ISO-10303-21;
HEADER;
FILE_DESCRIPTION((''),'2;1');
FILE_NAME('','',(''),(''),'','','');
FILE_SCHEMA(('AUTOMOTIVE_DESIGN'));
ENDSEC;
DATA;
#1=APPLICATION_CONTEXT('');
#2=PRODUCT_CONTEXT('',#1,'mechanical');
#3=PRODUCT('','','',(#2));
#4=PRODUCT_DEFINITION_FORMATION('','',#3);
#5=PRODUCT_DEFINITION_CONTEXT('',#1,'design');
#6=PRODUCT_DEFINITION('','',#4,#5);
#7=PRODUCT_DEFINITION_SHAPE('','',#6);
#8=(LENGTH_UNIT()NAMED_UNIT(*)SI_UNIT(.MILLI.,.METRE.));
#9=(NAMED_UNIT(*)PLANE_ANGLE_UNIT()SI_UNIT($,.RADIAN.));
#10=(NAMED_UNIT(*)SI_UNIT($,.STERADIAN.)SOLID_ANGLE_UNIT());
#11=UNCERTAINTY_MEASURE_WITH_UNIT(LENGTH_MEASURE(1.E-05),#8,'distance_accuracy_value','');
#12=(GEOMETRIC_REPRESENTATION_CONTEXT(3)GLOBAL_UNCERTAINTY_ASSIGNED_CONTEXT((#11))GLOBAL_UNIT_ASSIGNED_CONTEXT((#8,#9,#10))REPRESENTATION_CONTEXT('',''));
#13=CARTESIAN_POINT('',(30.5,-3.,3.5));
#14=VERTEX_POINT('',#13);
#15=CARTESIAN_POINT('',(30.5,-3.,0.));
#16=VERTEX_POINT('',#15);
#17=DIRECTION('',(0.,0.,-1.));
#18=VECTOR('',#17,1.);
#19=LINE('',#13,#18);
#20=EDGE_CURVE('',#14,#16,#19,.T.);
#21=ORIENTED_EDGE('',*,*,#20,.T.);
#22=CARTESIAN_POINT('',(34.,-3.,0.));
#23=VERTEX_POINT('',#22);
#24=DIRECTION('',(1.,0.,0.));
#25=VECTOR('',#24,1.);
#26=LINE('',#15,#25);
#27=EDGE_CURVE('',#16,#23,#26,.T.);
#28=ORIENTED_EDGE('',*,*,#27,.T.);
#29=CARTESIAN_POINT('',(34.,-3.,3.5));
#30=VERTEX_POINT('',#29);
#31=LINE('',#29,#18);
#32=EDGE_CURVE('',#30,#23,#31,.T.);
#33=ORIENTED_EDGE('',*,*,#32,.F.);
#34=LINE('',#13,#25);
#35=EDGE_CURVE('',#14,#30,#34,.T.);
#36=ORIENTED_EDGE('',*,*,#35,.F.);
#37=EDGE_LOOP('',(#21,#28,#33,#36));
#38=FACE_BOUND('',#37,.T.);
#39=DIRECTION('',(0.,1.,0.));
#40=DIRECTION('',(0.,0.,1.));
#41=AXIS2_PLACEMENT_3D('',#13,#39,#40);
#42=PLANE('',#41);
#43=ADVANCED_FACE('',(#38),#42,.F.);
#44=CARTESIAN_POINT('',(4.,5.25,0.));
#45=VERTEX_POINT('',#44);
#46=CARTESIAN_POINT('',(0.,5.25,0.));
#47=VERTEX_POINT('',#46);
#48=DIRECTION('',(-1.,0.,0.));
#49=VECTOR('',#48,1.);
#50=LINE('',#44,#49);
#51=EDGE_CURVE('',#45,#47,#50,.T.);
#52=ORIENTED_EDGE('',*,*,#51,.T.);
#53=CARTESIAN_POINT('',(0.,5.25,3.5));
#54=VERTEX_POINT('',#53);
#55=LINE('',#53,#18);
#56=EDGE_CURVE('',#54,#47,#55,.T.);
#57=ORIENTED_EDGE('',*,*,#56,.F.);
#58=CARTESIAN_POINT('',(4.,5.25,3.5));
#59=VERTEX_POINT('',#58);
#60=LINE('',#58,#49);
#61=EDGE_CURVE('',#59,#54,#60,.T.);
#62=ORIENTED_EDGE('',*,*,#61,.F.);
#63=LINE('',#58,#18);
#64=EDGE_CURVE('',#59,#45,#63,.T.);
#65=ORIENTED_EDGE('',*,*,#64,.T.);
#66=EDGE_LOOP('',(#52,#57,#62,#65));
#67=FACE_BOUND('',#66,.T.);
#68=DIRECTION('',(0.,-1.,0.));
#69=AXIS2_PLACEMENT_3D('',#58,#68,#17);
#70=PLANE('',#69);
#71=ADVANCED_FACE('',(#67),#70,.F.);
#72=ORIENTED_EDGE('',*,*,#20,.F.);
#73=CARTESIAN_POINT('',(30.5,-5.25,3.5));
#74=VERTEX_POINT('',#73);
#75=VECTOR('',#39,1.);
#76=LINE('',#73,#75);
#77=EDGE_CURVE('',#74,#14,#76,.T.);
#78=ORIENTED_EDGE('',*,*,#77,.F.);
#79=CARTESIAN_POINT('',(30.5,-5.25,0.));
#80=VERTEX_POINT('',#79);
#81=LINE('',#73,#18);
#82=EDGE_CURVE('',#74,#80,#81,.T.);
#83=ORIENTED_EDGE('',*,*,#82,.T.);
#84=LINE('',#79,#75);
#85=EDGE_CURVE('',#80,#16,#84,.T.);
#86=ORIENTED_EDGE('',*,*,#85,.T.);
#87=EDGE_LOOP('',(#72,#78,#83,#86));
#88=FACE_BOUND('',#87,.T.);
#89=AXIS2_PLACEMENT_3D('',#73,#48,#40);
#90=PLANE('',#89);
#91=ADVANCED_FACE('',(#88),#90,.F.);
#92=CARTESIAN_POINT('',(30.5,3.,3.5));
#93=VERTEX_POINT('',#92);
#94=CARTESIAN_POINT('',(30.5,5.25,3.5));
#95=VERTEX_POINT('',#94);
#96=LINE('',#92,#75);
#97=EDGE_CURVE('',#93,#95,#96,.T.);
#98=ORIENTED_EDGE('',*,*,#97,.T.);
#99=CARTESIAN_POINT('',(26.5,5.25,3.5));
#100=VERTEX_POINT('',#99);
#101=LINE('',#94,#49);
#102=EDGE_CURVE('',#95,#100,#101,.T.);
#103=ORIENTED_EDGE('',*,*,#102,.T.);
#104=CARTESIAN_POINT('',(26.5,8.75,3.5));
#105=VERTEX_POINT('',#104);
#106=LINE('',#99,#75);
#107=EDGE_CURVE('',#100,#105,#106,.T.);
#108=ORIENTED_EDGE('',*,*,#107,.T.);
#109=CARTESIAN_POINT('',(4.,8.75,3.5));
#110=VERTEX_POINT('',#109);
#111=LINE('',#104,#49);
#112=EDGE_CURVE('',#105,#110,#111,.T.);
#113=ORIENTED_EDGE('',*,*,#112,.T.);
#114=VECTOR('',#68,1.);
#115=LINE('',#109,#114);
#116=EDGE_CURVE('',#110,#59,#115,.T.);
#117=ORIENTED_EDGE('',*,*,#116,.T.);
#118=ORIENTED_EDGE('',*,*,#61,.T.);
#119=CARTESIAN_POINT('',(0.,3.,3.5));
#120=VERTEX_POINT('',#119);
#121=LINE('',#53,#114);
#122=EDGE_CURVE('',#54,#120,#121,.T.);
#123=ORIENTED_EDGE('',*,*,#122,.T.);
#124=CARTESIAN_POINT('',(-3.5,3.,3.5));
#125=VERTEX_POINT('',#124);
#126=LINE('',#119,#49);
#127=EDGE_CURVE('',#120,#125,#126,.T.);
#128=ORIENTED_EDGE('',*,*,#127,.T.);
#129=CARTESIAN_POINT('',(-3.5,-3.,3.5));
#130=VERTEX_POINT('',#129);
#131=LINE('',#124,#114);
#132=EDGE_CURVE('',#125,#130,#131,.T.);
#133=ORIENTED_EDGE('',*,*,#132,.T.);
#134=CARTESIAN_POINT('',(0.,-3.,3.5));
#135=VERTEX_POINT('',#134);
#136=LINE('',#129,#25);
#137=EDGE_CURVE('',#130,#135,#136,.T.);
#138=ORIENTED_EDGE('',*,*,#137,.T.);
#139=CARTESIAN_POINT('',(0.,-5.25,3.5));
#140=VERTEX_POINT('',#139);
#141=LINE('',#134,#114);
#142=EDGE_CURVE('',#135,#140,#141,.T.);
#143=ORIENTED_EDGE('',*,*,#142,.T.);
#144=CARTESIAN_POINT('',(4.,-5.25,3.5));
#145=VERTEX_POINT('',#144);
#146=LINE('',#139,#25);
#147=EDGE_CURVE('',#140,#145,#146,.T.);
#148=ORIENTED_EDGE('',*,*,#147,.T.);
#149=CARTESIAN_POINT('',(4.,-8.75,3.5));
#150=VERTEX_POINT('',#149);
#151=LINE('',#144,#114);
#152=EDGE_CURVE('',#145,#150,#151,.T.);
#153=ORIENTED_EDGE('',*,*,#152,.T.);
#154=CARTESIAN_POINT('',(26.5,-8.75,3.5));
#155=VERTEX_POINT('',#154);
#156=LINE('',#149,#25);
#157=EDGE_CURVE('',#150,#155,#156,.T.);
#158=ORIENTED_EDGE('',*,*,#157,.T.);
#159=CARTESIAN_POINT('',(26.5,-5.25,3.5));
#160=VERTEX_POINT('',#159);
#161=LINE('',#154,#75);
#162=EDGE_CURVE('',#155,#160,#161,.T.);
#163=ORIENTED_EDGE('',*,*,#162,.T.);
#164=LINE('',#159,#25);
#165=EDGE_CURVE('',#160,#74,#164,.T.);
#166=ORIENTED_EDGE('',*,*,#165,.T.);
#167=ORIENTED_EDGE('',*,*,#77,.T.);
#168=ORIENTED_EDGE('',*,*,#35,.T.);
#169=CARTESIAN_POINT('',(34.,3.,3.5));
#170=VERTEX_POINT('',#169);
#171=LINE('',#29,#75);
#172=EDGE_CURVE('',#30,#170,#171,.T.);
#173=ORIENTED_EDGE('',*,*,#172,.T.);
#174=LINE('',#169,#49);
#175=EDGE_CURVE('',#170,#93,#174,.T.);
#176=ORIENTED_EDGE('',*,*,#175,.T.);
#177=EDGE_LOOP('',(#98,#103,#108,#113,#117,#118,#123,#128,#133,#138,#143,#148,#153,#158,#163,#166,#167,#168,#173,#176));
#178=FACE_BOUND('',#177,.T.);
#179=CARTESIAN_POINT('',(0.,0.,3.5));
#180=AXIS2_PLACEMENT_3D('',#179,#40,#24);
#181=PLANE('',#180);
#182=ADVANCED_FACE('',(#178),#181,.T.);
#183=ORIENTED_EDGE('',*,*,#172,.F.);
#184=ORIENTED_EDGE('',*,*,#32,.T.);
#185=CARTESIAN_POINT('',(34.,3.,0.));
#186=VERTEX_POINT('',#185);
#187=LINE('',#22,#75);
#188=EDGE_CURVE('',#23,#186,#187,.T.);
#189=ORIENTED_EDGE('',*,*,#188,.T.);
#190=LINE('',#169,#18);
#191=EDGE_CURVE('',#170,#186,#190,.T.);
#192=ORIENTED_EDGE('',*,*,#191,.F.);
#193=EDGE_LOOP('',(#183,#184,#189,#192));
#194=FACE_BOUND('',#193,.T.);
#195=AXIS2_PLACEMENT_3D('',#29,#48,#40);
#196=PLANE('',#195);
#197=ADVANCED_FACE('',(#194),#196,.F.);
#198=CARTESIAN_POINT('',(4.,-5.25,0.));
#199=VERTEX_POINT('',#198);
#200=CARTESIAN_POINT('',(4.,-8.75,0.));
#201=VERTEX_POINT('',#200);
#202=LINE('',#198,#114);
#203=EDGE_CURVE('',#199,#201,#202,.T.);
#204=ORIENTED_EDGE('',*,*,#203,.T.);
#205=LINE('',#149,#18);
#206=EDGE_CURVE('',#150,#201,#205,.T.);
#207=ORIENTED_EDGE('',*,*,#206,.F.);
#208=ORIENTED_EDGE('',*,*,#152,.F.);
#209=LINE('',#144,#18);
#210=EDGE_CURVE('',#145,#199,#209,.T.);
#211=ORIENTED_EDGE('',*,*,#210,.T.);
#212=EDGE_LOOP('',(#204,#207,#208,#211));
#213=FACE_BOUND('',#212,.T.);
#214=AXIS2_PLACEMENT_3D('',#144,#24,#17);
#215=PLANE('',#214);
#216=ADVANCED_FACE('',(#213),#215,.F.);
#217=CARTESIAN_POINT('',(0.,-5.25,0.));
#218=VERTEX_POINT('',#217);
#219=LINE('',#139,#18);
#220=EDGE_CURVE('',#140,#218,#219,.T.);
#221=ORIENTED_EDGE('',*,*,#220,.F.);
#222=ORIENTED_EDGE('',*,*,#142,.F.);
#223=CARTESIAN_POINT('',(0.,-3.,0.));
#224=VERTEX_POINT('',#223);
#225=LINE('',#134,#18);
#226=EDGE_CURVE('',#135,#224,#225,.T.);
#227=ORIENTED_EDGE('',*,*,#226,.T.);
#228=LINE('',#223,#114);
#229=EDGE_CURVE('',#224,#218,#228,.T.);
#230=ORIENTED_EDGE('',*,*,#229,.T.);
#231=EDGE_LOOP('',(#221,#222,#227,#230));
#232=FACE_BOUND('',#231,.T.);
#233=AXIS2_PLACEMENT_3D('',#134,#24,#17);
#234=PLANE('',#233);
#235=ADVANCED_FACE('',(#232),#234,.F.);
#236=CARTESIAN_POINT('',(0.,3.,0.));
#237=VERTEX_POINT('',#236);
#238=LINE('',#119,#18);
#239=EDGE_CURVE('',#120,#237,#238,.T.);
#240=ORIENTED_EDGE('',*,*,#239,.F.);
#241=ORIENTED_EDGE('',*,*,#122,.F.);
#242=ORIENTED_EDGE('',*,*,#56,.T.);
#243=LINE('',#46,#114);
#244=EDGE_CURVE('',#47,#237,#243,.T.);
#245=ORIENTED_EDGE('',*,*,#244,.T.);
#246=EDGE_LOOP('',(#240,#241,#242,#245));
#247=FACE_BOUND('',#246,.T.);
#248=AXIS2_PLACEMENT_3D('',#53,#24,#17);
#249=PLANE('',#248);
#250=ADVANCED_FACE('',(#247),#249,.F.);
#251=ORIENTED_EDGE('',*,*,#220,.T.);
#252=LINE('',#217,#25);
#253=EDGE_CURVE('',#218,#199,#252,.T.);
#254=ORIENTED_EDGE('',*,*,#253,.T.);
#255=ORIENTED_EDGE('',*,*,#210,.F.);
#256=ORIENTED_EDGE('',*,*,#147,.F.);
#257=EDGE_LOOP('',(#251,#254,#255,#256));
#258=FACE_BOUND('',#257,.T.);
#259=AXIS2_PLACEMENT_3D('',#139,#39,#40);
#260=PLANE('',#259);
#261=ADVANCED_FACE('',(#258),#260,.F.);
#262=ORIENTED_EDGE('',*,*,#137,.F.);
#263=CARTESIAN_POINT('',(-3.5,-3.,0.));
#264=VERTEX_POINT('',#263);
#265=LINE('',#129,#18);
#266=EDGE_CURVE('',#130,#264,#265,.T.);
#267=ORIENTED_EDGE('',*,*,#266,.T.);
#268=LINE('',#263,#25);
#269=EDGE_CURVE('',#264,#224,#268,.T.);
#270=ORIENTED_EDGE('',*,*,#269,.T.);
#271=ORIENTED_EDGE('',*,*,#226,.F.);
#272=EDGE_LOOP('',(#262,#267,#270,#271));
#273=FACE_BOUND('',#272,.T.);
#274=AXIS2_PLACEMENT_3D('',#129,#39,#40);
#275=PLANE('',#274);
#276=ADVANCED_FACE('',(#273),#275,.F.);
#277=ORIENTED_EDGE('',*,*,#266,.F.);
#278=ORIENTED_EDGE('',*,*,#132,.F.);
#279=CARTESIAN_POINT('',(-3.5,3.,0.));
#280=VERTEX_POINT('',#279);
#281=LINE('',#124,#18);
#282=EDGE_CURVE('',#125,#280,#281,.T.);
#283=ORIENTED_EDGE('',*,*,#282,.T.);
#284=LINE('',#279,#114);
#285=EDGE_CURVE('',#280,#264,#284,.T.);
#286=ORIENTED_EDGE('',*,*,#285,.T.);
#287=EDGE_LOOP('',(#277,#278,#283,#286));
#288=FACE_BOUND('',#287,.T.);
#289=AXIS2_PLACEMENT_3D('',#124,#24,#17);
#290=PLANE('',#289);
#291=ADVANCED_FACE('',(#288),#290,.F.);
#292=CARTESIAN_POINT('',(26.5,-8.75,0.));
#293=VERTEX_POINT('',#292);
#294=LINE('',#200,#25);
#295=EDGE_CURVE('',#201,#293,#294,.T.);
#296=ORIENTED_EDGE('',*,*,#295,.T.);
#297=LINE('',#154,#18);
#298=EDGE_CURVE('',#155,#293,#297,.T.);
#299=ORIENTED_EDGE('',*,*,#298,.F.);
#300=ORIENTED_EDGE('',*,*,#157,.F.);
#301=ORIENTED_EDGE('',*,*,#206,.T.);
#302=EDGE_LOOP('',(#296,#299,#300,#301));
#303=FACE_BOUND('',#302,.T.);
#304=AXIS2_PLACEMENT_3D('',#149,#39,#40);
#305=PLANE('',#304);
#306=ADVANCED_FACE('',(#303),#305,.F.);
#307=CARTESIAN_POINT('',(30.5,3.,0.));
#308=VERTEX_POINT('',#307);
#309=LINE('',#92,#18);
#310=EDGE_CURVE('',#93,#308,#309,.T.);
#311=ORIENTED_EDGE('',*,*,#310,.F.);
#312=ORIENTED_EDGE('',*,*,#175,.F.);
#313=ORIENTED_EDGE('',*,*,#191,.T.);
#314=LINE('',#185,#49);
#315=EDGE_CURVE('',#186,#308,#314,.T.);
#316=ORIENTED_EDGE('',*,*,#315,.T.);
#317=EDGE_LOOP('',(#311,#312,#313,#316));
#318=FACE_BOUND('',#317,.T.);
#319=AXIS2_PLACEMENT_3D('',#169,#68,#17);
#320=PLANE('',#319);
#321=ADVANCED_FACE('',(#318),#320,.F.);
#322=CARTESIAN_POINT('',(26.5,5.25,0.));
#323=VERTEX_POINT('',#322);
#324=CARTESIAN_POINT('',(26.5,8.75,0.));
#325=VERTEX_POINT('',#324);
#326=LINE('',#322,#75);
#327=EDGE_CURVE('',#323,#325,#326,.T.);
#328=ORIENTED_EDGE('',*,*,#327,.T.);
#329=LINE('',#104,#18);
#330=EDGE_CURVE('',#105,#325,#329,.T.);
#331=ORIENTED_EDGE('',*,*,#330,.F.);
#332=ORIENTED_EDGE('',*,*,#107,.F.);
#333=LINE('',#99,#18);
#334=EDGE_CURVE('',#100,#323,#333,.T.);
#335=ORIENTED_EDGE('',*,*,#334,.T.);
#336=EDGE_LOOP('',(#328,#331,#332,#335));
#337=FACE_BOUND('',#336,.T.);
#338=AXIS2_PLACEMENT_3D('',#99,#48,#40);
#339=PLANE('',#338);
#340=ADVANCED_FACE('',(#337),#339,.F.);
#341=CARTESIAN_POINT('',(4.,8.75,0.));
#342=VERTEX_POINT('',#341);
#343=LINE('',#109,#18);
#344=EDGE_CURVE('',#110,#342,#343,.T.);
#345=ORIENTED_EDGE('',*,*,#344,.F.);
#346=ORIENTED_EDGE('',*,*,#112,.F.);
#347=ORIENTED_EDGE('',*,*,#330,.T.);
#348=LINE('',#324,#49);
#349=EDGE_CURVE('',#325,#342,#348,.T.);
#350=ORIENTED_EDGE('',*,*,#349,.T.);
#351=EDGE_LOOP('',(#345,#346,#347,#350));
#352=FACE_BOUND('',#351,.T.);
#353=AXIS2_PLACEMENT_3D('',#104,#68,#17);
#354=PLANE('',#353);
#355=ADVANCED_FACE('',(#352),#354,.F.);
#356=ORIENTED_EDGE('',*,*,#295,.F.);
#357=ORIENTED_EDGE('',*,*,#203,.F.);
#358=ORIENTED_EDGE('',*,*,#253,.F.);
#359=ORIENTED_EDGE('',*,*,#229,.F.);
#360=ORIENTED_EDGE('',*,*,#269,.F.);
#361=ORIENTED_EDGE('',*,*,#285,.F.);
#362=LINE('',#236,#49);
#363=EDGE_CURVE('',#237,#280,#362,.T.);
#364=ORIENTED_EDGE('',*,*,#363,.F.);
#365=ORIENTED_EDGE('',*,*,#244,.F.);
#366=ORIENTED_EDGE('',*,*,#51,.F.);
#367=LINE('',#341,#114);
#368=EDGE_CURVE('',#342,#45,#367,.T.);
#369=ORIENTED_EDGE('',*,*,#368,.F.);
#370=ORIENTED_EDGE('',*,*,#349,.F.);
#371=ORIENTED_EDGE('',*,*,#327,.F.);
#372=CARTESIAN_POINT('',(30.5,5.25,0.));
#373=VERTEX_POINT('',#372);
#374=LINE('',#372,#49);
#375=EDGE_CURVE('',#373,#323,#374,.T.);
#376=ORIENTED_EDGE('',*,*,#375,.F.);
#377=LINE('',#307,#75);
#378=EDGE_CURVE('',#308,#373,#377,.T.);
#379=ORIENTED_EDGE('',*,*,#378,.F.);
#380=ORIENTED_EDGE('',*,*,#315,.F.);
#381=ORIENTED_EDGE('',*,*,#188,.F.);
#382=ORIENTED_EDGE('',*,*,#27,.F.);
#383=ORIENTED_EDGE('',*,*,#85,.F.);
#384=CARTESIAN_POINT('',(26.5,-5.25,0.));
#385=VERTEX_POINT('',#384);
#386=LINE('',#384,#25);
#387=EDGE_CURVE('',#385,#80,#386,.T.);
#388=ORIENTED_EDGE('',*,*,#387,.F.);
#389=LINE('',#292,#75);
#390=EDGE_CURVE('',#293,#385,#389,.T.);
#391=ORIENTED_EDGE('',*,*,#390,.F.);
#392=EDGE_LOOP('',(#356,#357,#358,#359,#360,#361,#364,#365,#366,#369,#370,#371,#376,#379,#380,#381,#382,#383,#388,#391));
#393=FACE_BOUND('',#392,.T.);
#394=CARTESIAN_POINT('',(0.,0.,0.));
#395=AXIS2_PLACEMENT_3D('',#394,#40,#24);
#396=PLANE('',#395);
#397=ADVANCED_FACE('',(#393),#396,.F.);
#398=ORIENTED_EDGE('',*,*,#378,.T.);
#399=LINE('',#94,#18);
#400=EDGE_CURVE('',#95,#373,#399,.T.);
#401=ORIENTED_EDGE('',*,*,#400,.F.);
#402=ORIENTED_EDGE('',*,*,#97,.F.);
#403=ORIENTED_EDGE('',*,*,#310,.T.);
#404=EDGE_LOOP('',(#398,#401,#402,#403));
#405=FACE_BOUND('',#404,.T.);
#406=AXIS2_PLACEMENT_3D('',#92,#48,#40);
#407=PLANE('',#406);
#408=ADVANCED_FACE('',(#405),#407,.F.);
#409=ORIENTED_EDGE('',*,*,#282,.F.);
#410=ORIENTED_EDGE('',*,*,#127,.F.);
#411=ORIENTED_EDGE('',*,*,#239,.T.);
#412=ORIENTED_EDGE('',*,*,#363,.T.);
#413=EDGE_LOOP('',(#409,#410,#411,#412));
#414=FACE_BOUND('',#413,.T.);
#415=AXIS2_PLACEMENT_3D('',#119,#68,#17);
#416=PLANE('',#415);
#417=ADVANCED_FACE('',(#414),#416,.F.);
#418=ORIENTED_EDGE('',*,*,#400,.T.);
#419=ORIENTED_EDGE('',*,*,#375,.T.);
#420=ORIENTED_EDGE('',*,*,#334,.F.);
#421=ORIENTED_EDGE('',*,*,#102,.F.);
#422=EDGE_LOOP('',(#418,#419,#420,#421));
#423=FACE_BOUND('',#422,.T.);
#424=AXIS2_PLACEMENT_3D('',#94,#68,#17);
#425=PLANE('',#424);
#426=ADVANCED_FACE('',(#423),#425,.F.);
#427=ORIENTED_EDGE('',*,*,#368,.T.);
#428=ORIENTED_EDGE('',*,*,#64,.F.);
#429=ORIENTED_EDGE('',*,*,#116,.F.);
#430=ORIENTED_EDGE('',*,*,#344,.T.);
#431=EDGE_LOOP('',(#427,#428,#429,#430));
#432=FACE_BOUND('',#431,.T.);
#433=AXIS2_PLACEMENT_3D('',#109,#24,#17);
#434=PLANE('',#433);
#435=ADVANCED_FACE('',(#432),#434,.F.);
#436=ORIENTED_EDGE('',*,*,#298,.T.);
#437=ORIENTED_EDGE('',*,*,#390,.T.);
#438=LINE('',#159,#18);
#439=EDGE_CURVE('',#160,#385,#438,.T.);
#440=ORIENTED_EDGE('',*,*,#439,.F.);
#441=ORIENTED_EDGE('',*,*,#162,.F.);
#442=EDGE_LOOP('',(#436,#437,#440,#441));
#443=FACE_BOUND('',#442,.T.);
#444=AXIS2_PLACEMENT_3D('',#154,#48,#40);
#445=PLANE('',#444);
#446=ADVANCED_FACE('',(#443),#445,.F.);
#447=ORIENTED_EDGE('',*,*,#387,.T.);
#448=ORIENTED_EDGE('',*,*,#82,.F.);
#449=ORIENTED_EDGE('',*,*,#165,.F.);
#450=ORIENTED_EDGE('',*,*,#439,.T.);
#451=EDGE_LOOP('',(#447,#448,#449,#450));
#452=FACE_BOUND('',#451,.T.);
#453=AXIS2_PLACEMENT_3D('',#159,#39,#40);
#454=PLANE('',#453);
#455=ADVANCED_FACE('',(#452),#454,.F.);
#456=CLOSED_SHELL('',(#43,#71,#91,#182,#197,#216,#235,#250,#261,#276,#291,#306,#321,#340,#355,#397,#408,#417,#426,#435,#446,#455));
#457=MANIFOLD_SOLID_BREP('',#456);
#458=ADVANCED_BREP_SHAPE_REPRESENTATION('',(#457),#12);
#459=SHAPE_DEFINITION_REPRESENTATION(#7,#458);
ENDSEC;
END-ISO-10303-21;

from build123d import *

# Parameters (mm, degrees)
LASER_PROFILE_3P5_DEPTH = 3.5


with BuildPart() as part:
    # Profile_Laser_profile_3p5 → Laser_profile_3p5 (new body)
    with BuildSketch(Plane.XY):
        Polygon((0, -5.25), (4, -5.25), (4, -8.75), (26.5, -8.75), (26.5, -5.25), (30.5, -5.25), (30.5, -3), (34, -3), (34, 3), (30.5, 3), (30.5, 5.25), (26.5, 5.25), (26.5, 8.75), (4, 8.75), (4, 5.25), (0, 5.25), (0, 3), (-3.5, 3), (-3.5, -3), (0, -3), align=None)
    extrude(amount=LASER_PROFILE_3P5_DEPTH)


solid = part.part
